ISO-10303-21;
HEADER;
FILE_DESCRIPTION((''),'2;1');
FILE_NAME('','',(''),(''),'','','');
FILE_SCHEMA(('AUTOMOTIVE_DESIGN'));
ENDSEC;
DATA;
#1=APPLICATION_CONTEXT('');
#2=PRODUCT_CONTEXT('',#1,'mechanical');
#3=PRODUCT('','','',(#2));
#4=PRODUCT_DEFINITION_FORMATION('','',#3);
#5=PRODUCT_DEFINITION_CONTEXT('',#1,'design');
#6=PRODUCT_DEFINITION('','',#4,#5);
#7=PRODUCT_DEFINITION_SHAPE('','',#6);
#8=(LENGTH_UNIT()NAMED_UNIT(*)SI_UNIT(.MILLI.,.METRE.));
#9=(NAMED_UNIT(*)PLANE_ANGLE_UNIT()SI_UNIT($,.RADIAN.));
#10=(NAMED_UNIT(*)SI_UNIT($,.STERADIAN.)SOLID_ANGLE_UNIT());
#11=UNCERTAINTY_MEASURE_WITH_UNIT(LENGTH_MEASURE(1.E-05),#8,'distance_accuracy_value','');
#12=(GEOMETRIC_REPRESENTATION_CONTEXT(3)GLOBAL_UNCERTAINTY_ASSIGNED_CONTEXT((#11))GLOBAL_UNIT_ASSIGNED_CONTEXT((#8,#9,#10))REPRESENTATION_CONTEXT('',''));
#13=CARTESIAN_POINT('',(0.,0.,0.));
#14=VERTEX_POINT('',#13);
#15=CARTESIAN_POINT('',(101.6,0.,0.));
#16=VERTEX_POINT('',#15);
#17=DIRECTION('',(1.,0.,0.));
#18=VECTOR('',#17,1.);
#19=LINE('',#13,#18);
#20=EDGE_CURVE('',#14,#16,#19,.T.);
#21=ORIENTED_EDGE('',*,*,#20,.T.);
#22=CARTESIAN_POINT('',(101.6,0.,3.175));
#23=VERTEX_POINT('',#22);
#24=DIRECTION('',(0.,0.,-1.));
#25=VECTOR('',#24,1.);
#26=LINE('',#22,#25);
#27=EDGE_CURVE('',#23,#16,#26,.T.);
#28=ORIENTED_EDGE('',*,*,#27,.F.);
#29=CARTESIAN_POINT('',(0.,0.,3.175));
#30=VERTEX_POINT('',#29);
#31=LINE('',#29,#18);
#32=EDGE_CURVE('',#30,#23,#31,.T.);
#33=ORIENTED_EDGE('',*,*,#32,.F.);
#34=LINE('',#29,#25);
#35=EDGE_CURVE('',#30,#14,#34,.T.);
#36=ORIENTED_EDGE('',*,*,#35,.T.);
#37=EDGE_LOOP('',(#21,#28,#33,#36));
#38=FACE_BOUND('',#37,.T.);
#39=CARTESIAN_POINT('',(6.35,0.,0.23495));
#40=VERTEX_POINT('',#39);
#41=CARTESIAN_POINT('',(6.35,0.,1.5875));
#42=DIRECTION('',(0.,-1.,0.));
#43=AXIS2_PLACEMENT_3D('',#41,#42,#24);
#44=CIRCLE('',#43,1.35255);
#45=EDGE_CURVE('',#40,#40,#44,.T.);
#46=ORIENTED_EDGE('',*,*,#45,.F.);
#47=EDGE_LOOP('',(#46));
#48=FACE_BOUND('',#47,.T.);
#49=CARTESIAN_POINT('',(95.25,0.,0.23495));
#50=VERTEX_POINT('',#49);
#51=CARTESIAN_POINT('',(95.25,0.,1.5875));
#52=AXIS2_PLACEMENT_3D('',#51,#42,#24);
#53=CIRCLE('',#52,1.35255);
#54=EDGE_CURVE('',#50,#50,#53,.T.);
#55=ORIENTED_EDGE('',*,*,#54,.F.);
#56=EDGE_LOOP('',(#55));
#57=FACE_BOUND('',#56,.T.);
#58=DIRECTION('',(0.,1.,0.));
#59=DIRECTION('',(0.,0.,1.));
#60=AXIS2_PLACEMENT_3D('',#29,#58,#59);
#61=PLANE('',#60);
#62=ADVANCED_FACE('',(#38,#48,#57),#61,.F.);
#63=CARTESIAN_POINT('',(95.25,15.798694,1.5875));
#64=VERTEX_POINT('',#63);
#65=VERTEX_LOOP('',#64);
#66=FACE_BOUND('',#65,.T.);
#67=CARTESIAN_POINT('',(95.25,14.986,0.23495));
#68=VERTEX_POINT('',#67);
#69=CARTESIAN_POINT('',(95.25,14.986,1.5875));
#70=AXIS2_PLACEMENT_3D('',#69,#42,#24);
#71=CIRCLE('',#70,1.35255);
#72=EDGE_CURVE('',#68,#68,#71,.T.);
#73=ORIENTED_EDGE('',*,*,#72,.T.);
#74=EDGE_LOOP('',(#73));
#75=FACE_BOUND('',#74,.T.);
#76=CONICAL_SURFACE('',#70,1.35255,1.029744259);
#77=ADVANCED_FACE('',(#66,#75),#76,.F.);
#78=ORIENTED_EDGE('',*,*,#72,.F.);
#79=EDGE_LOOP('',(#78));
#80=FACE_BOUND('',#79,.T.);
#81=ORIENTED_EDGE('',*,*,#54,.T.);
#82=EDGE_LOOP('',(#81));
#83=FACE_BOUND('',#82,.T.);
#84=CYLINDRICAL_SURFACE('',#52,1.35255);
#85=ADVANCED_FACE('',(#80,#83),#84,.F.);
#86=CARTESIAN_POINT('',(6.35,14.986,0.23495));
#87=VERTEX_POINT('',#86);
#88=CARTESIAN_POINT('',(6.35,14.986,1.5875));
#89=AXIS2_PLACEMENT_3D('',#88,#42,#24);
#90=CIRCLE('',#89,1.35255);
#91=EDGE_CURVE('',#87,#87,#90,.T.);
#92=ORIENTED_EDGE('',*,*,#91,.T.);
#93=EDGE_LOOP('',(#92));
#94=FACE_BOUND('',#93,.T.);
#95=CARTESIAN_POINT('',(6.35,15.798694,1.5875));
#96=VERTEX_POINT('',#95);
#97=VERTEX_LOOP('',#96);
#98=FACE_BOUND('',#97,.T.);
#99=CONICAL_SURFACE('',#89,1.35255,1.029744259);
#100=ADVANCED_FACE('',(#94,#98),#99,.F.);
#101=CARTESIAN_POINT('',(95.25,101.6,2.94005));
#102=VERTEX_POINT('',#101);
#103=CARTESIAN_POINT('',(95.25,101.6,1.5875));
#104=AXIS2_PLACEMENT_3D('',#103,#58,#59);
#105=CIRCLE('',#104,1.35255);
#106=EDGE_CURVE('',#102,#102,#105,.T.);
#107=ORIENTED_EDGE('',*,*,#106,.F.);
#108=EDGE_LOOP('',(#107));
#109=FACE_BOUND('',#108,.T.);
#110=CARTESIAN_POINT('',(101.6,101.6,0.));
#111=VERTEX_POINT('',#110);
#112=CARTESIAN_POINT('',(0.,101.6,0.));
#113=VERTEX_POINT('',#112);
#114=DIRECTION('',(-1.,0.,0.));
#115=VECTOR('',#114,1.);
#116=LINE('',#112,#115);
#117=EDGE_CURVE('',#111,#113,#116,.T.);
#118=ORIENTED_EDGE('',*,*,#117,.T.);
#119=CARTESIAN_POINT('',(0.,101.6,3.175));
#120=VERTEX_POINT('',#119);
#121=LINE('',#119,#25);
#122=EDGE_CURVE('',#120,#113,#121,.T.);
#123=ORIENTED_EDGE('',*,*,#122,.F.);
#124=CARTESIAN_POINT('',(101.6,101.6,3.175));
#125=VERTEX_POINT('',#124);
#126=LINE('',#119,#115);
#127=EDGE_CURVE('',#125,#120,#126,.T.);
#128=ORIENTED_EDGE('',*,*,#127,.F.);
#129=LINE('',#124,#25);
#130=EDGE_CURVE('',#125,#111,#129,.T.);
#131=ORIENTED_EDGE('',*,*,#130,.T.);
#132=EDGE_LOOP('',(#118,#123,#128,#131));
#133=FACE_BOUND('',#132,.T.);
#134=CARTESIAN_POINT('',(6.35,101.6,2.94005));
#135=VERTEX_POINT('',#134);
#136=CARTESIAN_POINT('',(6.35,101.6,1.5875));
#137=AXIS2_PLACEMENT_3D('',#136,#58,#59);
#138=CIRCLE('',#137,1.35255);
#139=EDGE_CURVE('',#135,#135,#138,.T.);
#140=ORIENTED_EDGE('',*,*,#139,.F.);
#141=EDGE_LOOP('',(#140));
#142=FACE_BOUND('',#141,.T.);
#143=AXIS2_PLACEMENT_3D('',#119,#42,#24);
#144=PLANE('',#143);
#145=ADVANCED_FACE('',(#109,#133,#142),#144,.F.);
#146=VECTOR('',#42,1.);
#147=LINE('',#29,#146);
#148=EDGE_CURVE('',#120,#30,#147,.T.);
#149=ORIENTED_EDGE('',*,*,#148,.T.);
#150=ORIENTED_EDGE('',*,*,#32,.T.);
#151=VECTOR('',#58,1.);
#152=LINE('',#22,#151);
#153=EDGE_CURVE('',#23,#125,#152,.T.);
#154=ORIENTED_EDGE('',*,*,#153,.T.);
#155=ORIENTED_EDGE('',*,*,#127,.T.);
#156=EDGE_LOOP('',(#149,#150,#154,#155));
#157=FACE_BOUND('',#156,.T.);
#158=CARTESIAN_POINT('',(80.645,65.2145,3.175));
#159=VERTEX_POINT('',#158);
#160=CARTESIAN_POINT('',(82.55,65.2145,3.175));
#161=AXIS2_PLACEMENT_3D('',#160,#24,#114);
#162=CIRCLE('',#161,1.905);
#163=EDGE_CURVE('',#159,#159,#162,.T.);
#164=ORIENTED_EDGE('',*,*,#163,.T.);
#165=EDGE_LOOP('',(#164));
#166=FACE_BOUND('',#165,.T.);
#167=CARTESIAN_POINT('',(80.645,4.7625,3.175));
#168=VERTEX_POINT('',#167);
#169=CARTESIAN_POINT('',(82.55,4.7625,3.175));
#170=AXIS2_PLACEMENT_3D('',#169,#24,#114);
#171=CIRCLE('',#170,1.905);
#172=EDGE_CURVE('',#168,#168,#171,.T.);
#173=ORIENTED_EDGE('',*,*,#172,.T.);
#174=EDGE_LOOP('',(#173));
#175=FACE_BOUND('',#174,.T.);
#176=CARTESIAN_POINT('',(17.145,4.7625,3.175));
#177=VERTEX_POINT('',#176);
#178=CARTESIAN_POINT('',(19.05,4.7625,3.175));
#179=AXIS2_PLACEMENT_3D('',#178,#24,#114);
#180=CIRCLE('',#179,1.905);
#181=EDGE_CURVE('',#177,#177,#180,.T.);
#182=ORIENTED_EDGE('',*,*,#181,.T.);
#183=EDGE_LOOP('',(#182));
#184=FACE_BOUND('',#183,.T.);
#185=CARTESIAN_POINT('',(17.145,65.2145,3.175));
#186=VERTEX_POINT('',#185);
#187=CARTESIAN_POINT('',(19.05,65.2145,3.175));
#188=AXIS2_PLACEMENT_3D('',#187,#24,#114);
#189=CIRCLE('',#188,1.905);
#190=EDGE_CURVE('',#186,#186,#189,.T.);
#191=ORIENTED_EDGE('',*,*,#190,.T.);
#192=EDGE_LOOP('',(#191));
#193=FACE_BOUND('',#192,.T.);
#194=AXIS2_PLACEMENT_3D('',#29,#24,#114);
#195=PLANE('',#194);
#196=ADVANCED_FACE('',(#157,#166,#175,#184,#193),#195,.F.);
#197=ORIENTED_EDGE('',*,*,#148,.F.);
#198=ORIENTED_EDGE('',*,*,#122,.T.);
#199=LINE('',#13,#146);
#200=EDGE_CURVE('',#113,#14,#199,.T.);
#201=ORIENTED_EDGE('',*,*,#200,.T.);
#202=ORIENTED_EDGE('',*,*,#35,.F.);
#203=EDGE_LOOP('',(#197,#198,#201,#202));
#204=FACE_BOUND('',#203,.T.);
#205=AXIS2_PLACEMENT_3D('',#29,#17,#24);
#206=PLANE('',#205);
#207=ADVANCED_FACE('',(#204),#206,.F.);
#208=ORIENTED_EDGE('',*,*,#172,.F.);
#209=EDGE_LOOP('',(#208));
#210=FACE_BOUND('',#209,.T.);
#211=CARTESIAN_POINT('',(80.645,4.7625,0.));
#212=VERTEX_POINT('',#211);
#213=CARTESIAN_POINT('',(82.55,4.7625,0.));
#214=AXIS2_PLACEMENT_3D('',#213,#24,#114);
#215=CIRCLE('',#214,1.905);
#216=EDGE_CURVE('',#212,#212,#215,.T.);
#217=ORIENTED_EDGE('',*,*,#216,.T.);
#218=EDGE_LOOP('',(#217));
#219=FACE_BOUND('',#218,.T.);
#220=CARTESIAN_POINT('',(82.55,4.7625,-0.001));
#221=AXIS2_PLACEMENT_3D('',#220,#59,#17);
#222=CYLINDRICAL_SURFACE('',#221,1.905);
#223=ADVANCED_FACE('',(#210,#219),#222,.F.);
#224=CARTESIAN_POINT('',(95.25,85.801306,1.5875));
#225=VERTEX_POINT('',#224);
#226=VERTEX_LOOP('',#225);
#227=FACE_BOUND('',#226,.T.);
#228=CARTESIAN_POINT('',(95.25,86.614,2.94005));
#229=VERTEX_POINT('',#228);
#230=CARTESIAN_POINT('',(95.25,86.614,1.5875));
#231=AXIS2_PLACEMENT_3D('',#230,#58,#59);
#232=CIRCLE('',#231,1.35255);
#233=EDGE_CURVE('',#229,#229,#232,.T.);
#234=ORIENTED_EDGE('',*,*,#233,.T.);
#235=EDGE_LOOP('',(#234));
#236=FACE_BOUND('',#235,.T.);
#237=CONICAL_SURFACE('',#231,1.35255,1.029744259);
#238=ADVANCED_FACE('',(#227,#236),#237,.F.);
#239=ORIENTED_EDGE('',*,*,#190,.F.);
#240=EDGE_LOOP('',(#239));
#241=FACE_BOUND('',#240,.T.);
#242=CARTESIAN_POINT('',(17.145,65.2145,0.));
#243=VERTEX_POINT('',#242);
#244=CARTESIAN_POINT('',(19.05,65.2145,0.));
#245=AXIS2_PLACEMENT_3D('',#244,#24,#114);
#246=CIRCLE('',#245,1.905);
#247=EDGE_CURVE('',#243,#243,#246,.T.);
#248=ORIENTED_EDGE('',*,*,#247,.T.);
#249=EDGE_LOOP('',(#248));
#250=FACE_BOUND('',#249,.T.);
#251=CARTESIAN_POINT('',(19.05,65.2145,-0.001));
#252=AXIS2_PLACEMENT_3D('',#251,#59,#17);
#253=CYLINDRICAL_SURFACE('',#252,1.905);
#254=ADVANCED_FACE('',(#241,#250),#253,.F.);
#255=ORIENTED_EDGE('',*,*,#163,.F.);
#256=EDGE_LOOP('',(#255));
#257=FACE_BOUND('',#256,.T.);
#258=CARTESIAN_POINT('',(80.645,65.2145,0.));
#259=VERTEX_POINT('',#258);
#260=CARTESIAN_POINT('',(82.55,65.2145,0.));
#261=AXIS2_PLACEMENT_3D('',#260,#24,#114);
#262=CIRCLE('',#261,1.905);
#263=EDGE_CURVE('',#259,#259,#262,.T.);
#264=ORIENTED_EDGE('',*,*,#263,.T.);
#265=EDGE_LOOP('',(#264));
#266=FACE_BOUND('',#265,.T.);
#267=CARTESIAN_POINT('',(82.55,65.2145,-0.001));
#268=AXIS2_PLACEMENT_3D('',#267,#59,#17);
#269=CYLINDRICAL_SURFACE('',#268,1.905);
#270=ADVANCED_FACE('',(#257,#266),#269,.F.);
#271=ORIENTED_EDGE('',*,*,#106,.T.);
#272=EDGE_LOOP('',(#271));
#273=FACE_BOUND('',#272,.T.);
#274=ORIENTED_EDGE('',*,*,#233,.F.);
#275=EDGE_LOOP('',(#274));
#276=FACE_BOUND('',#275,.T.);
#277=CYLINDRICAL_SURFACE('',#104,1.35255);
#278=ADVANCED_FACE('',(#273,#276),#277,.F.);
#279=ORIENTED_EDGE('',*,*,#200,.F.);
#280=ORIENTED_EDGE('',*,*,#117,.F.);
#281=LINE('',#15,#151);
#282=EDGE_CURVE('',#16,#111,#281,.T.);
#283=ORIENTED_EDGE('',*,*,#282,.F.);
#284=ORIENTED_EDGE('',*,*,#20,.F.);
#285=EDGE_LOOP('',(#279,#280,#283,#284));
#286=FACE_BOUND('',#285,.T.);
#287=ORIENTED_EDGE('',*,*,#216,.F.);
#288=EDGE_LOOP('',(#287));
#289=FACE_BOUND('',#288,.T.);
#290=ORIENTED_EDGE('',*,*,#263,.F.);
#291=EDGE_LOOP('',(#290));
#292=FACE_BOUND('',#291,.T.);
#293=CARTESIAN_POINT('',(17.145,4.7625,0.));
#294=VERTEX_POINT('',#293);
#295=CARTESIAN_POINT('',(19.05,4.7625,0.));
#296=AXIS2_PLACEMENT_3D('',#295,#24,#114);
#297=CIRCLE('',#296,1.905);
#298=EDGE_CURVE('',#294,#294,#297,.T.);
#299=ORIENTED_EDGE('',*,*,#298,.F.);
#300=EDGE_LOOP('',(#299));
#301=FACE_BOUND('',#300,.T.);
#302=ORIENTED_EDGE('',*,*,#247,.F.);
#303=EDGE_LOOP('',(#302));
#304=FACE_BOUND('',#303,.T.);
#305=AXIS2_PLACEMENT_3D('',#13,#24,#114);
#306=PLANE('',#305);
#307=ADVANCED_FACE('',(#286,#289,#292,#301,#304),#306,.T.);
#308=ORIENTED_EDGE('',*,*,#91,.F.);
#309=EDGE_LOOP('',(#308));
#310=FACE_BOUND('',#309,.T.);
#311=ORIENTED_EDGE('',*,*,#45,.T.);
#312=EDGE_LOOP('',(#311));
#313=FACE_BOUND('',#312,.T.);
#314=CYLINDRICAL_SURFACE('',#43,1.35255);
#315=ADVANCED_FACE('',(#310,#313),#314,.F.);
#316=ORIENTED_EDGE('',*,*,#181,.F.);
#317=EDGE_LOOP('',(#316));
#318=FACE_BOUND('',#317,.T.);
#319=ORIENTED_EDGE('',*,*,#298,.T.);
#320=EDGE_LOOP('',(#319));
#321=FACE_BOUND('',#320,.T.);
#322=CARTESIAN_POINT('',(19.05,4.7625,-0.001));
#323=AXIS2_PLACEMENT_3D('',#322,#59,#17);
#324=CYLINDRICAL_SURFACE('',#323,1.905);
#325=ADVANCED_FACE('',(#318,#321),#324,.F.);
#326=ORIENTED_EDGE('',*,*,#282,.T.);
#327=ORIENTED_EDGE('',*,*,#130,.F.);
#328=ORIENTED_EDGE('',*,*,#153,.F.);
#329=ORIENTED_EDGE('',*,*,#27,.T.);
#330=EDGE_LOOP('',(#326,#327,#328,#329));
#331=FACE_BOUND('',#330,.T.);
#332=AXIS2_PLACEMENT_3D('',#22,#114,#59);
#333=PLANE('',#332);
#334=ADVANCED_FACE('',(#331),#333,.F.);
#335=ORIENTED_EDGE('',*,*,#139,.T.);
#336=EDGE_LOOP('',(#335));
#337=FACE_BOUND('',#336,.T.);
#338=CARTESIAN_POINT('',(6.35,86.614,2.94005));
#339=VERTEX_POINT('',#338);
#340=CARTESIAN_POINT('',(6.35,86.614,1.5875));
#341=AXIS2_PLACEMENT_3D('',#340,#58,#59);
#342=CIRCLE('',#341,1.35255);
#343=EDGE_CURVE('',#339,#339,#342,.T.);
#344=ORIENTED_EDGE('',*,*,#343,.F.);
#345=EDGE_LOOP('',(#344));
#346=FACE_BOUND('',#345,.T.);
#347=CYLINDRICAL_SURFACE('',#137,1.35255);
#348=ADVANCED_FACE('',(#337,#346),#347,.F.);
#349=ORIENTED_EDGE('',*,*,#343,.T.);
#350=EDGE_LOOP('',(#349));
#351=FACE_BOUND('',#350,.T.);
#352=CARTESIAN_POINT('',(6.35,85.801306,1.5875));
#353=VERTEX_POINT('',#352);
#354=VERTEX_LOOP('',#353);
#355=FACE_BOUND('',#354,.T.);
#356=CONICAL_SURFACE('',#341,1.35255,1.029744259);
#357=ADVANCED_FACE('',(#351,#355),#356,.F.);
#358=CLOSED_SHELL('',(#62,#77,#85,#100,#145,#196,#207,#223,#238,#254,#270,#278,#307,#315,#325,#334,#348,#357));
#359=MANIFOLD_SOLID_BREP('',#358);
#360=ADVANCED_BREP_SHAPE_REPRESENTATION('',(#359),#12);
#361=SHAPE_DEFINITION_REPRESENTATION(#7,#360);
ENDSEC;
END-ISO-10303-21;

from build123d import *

# Parameters (mm, degrees)
SKETCH1_W                      = 101.6
SKETCH1_H                      = 101.6
BOSS_EXTRUDE1_DEPTH            = 3.175
F_6_32_TAPPED_HOLE1_AT_2_COUNT = 2
F_6_32_TAPPED_HOLE1_AT_2_PITCH = 88.9
CUT_EXTRUDE2_REACH             = 148.894
CUT_EXTRUDE2_START             = 3.175
SKETCH8_R                      = 1.905


with BuildPart() as part:
    # Sketch1 → Boss-Extrude1 (new body)
    with BuildSketch(Plane.XY):
        with Locations((50.8, 50.8)):
            Rectangle(SKETCH1_W, SKETCH1_H)
    extrude(amount=BOSS_EXTRUDE1_DEPTH)

    # Sketch7 → #6-32 Tapped Hole1 (revolve, cut)
    with BuildSketch(Plane(origin=(95.25, 101.6, 1.5875), x_dir=(0, 0, 1), z_dir=(1, 0, 0))):
        Polygon((0, 0), (0, 15.79869403), (1.35255, 14.986), (1.35255, 0), align=None)
    f_6_32_tapped_hole1 = revolve(axis=Axis((95.25, 107.95, 1.5875), (0, -1, 0)), mode=Mode.SUBTRACT)

    # #6-32 Tapped Hole1 at 2: #6-32 Tapped Hole1 ×2
    with Locations(*[(-i * F_6_32_TAPPED_HOLE1_AT_2_PITCH, 0, 0) for i in range(1, F_6_32_TAPPED_HOLE1_AT_2_COUNT)]):
        add(f_6_32_tapped_hole1, mode=Mode.SUBTRACT)

    # Mirror1: #6-32 Tapped Hole1 across plane
    add(f_6_32_tapped_hole1.mirror(Plane(origin=(0, 50.8, 0), x_dir=(0, 0, 1), z_dir=(0, -1, 0))), mode=Mode.SUBTRACT)

    # Mirror1 copy 1 sketch → Mirror1 copy 1 (revolve, cut)
    with BuildSketch(Plane(origin=(6.35, 0, 1.5875), x_dir=(0, 0, 1), z_dir=(1, 0, 0))):
        Polygon((0, 0), (0, -15.79869403), (1.35255, -14.986), (1.35255, 0), align=None)
    revolve(axis=Axis((6.35, -6.35, 1.5875), (0, -1, 0)), mode=Mode.SUBTRACT)

    # Sketch8 → Cut-Extrude2 (cut, up to next)
    with BuildSketch(Plane.XY.offset(CUT_EXTRUDE2_START), mode=Mode.PRIVATE) as cut_extrude2_sk1:
        with Locations((19.05, 65.2145)):
            Circle(SKETCH8_R)
    cut_extrude2_tool1 = extrude(cut_extrude2_sk1.sketch, amount=-CUT_EXTRUDE2_REACH, mode=Mode.PRIVATE) & part.part
    # Sketch8 → Cut-Extrude2 (cut, up to next)
    with BuildSketch(Plane.XY.offset(CUT_EXTRUDE2_START), mode=Mode.PRIVATE) as cut_extrude2_sk2:
        with Locations((19.05, 4.7625)):
            Circle(SKETCH8_R)
    cut_extrude2_tool2 = extrude(cut_extrude2_sk2.sketch, amount=-CUT_EXTRUDE2_REACH, mode=Mode.PRIVATE) & part.part
    # Sketch8 → Cut-Extrude2 (cut, up to next)
    with BuildSketch(Plane.XY.offset(CUT_EXTRUDE2_START), mode=Mode.PRIVATE) as cut_extrude2_sk3:
        with Locations((82.55, 4.7625)):
            Circle(SKETCH8_R)
    cut_extrude2_tool3 = extrude(cut_extrude2_sk3.sketch, amount=-CUT_EXTRUDE2_REACH, mode=Mode.PRIVATE) & part.part
    # Sketch8 → Cut-Extrude2 (cut, up to next)
    with BuildSketch(Plane.XY.offset(CUT_EXTRUDE2_START), mode=Mode.PRIVATE) as cut_extrude2_sk4:
        with Locations((82.55, 65.2145)):
            Circle(SKETCH8_R)
    cut_extrude2_tool4 = extrude(cut_extrude2_sk4.sketch, amount=-CUT_EXTRUDE2_REACH, mode=Mode.PRIVATE) & part.part
    add(cut_extrude2_tool1.solids().sort_by_distance((19.05, 65.2145, 3.175))[0], mode=Mode.SUBTRACT)
    add(cut_extrude2_tool2.solids().sort_by_distance((19.05, 4.7625, 3.175))[0], mode=Mode.SUBTRACT)
    add(cut_extrude2_tool3.solids().sort_by_distance((82.55, 4.7625, 3.175))[0], mode=Mode.SUBTRACT)
    add(cut_extrude2_tool4.solids().sort_by_distance((82.55, 65.2145, 3.175))[0], mode=Mode.SUBTRACT)


solid = part.part
